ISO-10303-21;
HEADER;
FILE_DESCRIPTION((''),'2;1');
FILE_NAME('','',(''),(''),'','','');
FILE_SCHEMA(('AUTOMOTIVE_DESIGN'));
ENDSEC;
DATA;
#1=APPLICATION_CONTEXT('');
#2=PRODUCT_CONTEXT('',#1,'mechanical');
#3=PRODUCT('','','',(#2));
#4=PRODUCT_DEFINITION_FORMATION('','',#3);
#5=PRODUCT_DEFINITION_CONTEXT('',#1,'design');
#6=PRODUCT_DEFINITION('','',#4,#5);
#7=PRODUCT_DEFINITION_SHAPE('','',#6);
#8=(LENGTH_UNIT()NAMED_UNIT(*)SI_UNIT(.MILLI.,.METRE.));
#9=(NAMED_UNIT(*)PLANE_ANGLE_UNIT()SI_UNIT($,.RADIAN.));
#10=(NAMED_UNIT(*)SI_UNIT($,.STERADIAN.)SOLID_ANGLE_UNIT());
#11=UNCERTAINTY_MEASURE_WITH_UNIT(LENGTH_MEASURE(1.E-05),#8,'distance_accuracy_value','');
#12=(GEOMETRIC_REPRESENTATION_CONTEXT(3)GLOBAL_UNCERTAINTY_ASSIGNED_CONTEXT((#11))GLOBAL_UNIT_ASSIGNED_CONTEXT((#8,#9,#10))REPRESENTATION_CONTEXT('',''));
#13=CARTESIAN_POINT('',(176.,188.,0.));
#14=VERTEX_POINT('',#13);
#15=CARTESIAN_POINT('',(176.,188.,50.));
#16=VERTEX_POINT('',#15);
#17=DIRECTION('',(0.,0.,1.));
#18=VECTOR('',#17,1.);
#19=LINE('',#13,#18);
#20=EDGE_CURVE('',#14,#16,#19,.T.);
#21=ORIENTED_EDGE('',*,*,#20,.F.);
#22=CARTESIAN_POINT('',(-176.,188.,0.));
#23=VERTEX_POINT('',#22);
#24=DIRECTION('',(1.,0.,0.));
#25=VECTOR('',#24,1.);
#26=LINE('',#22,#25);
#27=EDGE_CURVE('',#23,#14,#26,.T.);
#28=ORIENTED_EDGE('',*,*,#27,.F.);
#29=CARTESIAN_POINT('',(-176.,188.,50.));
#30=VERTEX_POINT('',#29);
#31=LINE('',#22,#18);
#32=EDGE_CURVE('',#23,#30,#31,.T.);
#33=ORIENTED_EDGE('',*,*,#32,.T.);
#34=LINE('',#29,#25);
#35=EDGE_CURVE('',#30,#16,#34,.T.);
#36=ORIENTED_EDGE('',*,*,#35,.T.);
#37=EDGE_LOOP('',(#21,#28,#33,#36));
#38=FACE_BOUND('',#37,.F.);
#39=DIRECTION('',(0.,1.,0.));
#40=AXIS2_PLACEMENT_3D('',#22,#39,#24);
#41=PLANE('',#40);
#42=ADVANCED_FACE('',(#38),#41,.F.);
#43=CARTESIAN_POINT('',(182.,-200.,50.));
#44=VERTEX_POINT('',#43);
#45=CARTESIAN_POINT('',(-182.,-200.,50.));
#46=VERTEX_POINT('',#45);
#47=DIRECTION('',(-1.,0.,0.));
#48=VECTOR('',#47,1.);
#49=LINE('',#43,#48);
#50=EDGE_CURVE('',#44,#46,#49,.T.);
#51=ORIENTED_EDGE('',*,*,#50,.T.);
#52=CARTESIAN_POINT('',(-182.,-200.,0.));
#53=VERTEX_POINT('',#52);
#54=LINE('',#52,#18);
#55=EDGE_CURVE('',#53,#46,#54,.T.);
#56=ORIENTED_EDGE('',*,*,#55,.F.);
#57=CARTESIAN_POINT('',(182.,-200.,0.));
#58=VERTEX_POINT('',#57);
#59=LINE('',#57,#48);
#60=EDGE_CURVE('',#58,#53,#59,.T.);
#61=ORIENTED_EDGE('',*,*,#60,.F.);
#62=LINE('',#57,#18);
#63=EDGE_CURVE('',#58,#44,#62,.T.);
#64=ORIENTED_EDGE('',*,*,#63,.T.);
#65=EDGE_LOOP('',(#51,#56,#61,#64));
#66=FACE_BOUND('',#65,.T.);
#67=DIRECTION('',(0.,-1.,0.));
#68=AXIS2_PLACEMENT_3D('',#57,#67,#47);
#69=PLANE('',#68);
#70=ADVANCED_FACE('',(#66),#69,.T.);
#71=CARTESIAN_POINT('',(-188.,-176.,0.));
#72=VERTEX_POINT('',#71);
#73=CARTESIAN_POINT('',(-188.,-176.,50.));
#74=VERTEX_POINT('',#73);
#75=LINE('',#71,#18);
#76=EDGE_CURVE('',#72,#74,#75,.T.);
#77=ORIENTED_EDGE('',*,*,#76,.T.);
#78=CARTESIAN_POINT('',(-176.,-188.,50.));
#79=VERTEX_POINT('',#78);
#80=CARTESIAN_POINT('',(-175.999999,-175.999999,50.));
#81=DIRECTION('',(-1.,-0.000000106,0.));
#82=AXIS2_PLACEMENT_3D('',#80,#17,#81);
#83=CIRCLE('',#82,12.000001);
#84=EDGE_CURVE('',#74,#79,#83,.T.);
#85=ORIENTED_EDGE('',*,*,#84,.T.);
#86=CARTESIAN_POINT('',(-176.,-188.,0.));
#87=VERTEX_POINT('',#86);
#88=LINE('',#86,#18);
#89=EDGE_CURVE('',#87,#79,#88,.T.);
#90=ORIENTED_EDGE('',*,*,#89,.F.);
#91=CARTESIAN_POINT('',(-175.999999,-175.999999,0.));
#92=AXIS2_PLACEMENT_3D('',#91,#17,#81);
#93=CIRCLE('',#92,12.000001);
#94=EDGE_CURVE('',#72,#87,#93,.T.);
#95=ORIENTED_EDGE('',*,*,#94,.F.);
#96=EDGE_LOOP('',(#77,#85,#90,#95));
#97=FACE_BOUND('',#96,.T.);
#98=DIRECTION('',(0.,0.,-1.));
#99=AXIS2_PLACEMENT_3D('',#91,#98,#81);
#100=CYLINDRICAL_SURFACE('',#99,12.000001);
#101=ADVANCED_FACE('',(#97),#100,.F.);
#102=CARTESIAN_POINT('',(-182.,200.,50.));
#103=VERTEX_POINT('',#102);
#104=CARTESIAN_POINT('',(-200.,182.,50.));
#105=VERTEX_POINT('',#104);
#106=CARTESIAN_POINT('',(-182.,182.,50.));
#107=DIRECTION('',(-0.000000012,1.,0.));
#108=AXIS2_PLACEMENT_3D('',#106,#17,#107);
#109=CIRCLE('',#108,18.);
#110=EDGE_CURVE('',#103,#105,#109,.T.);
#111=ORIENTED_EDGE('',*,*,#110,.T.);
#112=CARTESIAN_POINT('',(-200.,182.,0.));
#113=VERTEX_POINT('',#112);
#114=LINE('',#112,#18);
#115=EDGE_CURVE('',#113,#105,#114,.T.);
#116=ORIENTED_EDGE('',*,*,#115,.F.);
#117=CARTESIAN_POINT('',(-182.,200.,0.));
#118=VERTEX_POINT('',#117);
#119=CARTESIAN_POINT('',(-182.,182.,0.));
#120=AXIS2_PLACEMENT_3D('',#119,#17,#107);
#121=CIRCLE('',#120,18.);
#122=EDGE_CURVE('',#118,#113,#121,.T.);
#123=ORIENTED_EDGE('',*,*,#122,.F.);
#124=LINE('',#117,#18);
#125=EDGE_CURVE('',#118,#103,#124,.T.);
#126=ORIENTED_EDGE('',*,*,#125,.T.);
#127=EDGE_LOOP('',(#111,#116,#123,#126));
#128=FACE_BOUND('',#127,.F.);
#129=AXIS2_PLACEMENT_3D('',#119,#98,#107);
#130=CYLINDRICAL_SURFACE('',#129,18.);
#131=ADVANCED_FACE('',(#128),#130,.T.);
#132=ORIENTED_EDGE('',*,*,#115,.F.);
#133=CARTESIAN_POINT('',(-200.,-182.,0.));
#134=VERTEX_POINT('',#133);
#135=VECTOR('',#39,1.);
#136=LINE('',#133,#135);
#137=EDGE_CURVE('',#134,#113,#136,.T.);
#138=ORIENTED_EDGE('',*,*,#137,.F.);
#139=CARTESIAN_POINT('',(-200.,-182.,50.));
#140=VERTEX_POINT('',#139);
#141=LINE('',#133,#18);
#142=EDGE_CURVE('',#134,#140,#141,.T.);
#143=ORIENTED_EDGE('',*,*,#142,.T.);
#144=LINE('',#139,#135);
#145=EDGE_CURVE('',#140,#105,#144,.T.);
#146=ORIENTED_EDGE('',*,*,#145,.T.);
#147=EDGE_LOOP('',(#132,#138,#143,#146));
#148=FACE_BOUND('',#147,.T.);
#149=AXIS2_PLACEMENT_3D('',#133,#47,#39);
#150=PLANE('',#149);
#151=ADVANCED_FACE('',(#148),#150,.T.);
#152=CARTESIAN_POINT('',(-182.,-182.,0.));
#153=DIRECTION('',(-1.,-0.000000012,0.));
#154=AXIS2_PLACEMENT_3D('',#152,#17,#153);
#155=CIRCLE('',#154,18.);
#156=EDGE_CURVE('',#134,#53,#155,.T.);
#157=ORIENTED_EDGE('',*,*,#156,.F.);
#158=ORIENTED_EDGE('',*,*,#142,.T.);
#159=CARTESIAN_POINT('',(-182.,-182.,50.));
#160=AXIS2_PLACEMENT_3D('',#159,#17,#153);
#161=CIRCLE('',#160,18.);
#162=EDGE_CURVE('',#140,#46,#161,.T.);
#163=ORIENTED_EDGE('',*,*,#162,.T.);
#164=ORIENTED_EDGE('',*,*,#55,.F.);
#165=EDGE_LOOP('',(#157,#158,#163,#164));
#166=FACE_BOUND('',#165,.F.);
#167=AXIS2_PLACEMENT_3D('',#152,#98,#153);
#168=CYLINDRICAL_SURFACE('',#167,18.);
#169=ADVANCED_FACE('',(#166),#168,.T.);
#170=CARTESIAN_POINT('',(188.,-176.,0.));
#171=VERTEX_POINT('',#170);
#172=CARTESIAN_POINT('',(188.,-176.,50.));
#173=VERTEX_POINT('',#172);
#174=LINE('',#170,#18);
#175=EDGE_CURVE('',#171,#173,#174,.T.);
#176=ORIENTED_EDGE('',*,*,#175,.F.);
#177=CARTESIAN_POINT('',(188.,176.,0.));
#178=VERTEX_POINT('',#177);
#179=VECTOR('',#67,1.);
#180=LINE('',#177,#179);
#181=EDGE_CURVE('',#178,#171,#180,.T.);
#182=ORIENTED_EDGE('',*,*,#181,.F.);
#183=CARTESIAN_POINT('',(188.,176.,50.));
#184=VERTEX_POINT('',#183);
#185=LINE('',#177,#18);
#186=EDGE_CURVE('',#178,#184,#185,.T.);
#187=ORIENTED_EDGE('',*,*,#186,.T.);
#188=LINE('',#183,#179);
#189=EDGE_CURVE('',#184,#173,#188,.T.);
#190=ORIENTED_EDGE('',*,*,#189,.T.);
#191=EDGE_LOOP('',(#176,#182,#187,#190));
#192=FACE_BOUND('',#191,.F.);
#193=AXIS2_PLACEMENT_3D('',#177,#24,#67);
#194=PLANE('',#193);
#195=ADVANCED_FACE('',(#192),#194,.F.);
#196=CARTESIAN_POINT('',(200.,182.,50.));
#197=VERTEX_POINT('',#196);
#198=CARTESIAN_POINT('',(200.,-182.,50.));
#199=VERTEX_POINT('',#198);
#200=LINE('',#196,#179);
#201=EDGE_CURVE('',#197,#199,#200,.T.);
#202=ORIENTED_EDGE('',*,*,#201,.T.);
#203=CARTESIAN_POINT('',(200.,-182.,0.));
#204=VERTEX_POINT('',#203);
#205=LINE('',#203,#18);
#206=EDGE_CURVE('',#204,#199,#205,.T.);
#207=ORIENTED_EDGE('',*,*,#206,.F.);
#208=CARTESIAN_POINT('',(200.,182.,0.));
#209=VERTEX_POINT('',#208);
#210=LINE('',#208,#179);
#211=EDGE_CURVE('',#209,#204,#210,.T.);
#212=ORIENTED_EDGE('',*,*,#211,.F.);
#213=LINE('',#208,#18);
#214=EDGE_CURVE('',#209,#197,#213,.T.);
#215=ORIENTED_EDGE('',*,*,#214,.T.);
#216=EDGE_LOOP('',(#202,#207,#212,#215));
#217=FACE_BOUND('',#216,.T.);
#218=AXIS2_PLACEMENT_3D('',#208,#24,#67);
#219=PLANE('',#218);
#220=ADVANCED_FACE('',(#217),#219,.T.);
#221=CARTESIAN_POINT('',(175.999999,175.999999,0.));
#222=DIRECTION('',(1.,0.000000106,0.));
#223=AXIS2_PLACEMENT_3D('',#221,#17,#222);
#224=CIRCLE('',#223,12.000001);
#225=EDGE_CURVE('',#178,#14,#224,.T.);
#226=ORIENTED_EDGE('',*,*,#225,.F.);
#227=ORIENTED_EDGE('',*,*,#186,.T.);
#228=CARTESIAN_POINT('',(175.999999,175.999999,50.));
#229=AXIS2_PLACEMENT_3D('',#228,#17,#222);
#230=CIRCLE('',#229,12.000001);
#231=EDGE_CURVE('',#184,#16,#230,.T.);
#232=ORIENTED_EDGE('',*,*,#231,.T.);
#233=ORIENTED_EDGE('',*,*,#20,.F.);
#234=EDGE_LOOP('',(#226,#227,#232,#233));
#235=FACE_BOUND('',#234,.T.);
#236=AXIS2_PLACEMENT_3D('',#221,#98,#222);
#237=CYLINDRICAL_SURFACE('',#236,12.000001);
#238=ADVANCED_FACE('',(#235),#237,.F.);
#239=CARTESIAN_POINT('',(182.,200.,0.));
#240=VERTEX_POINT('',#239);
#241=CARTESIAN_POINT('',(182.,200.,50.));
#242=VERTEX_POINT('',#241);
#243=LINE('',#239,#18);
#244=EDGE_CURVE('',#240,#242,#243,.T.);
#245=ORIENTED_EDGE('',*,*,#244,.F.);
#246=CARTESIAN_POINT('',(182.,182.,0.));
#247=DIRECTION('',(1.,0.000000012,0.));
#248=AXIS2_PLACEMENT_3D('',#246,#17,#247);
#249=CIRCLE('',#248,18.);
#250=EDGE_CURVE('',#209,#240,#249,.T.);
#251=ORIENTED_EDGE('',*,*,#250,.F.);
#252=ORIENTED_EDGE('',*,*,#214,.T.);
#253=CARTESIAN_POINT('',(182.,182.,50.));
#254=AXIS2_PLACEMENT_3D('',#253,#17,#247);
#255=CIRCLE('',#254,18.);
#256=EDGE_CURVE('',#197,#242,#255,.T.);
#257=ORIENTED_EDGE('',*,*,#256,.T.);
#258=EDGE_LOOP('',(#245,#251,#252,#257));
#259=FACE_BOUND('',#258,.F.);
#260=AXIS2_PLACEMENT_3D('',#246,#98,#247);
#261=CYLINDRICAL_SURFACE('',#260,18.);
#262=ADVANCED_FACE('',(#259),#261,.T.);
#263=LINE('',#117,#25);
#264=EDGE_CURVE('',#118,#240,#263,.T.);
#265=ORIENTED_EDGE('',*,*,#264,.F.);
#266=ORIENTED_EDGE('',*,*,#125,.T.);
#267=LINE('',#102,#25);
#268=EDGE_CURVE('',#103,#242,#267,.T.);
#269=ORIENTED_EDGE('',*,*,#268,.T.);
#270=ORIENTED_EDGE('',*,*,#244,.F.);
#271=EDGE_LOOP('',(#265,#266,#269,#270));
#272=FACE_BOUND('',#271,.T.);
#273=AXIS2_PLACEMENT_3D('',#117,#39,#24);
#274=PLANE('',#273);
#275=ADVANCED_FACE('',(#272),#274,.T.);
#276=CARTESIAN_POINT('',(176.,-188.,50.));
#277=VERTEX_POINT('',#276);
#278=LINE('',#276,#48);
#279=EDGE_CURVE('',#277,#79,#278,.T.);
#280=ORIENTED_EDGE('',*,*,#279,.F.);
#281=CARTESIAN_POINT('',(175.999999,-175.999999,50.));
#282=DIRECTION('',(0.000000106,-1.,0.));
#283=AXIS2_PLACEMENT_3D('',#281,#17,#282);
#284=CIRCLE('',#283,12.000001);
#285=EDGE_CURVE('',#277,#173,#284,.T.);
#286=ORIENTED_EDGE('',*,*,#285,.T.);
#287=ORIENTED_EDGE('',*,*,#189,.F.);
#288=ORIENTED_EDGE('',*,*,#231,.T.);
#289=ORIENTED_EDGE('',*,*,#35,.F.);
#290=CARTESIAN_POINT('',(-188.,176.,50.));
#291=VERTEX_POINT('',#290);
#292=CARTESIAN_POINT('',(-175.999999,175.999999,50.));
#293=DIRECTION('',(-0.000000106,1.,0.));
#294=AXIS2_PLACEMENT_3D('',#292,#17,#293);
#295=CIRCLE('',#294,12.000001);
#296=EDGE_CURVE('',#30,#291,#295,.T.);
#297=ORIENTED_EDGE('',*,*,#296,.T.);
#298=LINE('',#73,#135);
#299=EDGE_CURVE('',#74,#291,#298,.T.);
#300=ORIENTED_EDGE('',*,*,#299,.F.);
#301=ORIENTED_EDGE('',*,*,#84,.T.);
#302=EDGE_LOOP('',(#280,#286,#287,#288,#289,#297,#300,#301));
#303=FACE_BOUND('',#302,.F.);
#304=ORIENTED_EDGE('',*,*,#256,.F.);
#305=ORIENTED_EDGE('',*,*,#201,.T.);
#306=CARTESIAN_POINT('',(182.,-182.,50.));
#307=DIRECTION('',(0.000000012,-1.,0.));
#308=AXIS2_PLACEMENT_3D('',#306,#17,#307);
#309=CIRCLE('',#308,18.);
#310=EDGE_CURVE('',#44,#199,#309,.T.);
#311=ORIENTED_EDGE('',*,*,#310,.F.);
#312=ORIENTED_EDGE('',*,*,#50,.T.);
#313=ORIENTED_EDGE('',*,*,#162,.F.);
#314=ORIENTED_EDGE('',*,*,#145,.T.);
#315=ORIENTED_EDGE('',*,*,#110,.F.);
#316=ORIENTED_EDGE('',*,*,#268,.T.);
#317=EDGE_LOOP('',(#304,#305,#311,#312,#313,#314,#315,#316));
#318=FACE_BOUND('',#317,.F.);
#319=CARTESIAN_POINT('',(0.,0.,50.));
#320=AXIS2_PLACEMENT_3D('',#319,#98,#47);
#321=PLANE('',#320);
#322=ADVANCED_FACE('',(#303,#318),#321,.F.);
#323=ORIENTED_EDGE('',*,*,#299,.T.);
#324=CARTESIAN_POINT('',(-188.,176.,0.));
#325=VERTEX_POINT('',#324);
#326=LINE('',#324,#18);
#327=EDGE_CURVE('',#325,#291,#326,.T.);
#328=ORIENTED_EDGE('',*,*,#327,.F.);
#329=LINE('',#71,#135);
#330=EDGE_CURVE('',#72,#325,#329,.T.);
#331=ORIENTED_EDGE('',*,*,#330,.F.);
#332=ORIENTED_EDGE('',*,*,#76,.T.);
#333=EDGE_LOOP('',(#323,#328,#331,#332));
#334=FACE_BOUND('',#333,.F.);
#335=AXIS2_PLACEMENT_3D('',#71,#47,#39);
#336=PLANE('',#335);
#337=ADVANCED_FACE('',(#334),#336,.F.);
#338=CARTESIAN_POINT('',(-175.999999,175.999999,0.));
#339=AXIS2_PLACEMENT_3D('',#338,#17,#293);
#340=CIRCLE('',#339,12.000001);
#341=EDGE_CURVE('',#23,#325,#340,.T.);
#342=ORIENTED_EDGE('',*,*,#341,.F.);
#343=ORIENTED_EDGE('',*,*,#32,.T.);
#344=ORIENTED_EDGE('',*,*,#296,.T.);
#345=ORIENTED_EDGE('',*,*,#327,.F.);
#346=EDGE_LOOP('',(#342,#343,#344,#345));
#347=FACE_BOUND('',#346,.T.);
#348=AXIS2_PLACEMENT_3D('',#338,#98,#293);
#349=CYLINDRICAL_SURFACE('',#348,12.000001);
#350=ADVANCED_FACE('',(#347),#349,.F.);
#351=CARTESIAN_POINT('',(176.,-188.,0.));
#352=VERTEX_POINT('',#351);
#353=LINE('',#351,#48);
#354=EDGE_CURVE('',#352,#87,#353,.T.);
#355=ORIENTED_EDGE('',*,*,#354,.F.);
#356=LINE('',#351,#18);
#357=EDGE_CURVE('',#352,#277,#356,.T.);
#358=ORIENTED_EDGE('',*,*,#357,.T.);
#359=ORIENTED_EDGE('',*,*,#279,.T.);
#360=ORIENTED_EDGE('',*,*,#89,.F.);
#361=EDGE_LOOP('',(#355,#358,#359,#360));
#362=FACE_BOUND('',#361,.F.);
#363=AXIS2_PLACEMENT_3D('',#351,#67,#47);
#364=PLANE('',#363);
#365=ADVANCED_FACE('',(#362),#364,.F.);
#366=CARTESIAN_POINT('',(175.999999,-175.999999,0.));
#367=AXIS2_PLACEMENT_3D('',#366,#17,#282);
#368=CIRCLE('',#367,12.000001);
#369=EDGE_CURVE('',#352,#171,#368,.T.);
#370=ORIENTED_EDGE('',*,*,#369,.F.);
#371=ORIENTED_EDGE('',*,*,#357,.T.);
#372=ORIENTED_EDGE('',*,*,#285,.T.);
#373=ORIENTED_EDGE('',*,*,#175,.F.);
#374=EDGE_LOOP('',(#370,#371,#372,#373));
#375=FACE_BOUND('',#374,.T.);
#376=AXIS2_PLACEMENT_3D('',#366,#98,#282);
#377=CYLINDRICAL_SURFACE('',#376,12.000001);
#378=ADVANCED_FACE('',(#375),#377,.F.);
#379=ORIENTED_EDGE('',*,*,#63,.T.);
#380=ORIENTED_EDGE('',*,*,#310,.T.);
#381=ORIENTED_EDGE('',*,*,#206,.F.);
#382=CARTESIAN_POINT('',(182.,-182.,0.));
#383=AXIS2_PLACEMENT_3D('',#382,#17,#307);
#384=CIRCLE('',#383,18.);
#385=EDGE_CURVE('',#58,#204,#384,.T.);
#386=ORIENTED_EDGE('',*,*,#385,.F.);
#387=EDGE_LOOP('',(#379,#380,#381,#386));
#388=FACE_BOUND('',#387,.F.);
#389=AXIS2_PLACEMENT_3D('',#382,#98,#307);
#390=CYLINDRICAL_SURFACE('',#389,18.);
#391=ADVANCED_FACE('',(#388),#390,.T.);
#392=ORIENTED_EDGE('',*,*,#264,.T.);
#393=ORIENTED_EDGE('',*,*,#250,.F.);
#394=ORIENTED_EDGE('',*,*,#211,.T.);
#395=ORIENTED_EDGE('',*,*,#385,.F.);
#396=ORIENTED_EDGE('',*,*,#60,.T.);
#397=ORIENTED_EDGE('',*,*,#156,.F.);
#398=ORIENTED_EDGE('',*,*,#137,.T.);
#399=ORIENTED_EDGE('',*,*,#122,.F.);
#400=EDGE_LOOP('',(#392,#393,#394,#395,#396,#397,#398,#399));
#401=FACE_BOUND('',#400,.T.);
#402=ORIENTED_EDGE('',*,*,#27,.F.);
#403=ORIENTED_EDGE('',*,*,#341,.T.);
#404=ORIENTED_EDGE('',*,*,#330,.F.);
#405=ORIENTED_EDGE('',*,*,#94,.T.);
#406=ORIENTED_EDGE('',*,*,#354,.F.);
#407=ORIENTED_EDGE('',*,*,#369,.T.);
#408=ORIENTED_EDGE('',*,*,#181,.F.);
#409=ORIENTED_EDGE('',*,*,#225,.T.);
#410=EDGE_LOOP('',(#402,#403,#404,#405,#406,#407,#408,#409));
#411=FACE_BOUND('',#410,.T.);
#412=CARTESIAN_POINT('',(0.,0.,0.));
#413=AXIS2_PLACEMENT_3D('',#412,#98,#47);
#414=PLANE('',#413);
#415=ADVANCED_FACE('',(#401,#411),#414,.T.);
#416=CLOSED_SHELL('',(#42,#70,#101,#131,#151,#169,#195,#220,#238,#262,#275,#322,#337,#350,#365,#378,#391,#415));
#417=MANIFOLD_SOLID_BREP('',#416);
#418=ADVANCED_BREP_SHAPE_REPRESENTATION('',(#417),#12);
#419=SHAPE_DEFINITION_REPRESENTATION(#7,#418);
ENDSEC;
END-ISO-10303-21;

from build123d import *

# Parameters (mm, degrees)
EXTRUDE_DEPTH = 50


with BuildPart() as part:
    # Sketch → Extrude (new body)
    with BuildSketch(Plane.XY):
        with BuildLine():
            Line((-182, 200), (182, 200))
            ThreePointArc((200, 182), (194.727922, 194.727922), (182, 200))
            Line((200, 182), (200, -182))
            ThreePointArc((182, -200), (194.727922, -194.727922), (200, -182))
            Line((182, -200), (-182, -200))
            ThreePointArc((-200, -182), (-194.727922, -194.727922), (-182, -200))
            Line((-200, -182), (-200, 182))
            ThreePointArc((-182, 200), (-194.727922, 194.727922), (-200, 182))
        make_face()
        with BuildLine():
            Line((-176, 188), (176, 188))
            ThreePointArc((188, 176), (184.485281, 184.485281), (176, 188))
            Line((188, 176), (188, -176))
            ThreePointArc((176, -188), (184.485281, -184.485281), (188, -176))
            Line((176, -188), (-176, -188))
            ThreePointArc((-188, -176), (-184.485281, -184.485281), (-176, -188))
            Line((-188, -176), (-188, 176))
            ThreePointArc((-176, 188), (-184.485281, 184.485281), (-188, 176))
        make_face(mode=Mode.SUBTRACT)
    extrude(amount=EXTRUDE_DEPTH)


solid = part.part
